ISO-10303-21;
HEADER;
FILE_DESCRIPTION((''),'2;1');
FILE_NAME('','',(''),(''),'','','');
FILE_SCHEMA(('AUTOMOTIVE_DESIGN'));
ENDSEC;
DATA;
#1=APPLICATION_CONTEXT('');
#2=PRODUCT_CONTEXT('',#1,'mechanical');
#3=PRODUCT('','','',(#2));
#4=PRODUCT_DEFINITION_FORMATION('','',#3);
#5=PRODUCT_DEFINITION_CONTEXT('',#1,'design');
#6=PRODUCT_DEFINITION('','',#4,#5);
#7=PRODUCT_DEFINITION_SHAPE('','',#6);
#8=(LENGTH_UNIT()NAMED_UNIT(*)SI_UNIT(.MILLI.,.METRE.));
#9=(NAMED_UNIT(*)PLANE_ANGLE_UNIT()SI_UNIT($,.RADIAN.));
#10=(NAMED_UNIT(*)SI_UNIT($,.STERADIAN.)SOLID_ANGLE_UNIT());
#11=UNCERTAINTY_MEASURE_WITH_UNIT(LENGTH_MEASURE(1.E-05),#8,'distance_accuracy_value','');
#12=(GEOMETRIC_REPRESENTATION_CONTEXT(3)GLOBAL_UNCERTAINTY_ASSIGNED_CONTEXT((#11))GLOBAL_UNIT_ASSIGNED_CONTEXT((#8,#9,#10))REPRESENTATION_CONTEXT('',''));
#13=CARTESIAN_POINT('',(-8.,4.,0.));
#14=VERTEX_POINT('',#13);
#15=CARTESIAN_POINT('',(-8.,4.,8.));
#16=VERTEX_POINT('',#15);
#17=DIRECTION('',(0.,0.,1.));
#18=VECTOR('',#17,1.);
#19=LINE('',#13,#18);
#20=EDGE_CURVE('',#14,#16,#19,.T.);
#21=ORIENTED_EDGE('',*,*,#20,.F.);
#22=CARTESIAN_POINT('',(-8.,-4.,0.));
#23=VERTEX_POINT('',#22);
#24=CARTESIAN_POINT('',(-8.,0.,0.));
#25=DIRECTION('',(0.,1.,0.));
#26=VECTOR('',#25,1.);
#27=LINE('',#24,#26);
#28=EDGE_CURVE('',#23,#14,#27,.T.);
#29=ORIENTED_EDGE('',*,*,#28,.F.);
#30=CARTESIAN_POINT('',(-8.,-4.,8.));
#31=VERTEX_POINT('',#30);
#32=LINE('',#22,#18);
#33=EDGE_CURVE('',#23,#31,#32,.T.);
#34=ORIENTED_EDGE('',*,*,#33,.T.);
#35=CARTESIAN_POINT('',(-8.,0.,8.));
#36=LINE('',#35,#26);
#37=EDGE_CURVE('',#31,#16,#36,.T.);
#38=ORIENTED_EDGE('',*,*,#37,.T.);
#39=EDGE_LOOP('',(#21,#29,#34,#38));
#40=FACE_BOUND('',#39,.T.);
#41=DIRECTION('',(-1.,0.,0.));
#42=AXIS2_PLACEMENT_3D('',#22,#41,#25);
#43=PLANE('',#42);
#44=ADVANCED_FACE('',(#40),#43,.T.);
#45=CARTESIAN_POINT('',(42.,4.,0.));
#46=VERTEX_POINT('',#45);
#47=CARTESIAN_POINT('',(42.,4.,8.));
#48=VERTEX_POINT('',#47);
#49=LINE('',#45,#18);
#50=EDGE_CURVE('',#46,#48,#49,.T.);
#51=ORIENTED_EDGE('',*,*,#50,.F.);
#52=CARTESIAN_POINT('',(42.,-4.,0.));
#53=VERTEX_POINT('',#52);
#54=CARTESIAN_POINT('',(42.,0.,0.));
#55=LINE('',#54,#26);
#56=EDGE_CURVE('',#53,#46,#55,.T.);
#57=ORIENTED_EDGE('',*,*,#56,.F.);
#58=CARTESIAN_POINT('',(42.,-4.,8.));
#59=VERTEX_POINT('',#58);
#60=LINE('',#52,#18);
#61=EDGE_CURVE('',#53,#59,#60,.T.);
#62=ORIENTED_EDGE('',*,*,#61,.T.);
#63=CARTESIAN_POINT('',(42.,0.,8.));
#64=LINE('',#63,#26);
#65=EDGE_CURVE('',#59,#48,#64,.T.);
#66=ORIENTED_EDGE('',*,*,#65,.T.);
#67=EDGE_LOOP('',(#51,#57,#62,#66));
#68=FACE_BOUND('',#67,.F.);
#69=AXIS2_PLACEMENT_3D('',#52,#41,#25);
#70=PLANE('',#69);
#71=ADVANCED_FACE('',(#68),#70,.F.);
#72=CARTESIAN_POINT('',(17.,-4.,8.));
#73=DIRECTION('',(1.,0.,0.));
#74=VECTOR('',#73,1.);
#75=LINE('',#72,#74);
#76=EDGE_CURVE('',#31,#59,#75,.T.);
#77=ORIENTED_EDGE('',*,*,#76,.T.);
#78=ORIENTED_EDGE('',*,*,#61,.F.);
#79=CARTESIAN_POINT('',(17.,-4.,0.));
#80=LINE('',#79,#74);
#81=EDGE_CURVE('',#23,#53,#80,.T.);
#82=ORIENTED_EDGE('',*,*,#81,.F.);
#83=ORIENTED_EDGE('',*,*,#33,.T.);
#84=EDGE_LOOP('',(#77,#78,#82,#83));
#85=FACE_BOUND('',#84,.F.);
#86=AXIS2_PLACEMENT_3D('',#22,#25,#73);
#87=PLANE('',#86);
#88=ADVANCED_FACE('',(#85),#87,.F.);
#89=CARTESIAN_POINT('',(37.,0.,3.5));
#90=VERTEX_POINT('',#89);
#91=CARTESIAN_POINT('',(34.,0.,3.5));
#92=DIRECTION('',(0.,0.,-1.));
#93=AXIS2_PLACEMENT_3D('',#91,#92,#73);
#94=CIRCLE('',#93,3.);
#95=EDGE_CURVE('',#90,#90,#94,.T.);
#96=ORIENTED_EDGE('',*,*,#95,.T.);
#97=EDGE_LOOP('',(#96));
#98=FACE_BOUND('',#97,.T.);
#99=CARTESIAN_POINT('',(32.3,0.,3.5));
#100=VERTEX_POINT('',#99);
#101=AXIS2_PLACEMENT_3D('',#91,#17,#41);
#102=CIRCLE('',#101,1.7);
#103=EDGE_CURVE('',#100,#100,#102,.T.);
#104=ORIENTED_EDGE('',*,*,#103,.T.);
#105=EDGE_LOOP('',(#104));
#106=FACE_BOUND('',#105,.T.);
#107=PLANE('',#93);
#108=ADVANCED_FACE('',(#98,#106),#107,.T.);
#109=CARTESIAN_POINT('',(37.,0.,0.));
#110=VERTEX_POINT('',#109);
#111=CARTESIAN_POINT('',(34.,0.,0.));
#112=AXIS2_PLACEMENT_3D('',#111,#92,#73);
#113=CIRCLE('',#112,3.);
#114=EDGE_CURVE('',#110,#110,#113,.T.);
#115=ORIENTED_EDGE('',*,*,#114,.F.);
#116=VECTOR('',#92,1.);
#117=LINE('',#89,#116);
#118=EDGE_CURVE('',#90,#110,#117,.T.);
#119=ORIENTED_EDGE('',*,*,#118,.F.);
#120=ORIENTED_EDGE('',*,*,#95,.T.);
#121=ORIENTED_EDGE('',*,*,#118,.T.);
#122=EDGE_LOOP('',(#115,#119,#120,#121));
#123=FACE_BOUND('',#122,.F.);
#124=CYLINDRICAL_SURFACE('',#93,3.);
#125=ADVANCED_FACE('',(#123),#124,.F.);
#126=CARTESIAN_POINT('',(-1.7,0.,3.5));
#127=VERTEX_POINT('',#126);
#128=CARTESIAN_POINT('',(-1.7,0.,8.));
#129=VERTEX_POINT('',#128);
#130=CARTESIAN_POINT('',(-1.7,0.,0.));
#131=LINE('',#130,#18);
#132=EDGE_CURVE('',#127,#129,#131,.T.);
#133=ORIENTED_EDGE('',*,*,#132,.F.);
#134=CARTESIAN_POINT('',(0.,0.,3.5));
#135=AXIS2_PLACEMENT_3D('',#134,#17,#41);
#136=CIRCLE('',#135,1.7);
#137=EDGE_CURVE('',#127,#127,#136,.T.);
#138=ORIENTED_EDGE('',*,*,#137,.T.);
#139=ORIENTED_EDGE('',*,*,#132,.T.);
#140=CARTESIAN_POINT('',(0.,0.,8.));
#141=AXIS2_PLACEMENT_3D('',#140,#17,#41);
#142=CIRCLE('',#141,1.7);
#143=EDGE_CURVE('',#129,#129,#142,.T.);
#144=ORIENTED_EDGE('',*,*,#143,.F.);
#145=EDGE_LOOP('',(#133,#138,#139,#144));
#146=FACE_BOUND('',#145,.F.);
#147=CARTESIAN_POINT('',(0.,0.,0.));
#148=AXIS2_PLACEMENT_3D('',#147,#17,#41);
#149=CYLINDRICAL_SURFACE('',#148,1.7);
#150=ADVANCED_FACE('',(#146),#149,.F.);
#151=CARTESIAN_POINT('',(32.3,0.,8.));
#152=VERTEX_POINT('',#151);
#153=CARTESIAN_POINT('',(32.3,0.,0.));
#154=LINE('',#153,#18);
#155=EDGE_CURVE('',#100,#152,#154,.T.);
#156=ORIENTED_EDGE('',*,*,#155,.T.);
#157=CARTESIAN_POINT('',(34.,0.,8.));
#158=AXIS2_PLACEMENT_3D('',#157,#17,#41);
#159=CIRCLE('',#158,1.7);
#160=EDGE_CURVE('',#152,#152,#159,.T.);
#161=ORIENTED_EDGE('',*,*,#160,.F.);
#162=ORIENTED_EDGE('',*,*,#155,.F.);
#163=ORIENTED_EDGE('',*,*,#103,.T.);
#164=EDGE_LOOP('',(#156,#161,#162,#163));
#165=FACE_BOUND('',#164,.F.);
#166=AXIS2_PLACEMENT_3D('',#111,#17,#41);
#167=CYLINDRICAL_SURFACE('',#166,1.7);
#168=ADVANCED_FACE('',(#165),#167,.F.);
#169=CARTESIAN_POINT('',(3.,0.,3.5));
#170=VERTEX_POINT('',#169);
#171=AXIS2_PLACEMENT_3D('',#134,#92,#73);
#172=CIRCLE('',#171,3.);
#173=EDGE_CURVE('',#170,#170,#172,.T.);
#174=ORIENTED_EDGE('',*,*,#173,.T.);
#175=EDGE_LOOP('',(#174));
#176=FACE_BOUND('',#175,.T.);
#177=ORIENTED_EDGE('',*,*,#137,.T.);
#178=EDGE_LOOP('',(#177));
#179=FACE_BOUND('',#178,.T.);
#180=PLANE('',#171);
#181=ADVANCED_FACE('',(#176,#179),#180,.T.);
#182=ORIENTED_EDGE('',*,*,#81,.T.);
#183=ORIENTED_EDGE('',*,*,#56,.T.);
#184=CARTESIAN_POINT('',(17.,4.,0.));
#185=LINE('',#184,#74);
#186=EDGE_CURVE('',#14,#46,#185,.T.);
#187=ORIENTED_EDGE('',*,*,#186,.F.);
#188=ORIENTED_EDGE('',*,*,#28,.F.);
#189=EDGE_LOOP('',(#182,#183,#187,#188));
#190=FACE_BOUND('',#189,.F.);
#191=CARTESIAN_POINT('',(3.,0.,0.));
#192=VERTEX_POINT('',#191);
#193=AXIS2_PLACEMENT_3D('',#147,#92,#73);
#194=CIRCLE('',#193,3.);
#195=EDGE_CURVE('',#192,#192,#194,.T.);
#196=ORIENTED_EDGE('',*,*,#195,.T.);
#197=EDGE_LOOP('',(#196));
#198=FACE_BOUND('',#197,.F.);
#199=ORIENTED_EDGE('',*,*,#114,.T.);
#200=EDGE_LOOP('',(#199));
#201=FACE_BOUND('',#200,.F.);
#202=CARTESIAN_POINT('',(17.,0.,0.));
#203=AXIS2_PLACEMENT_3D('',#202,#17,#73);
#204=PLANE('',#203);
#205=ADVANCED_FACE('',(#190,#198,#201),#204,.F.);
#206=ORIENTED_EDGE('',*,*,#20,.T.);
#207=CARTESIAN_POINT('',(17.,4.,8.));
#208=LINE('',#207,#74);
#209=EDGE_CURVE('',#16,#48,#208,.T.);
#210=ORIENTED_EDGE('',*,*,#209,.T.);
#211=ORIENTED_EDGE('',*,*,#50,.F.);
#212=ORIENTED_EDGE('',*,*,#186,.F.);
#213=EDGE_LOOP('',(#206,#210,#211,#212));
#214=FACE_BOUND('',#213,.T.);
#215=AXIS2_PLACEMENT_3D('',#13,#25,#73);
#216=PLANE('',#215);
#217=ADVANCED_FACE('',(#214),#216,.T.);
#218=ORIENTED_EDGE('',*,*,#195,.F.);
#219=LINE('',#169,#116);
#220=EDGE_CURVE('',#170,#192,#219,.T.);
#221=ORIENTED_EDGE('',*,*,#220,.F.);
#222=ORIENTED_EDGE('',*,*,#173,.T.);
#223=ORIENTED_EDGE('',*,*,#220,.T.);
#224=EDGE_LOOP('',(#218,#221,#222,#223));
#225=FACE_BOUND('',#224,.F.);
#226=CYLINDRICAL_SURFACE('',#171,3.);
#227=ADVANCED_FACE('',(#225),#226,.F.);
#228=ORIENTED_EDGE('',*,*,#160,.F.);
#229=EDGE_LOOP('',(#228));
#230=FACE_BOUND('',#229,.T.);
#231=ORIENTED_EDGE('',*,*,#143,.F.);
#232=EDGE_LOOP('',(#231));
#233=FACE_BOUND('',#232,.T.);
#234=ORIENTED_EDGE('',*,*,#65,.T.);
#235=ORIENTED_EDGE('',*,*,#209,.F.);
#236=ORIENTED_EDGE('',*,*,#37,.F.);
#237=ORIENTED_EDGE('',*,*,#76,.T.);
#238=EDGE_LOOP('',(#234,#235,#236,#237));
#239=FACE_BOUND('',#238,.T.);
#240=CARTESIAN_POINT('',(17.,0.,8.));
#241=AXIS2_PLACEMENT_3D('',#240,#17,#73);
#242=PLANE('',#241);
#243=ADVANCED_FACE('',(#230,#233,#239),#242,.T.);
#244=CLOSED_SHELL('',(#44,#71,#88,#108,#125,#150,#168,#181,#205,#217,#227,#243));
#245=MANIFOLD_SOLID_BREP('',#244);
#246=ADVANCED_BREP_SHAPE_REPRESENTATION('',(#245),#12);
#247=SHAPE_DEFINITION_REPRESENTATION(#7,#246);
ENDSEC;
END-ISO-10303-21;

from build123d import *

# Parameters (mm, degrees)
F0_W           = 50
F0_H           = 8
F1_DEPTH       = 8
F3_D           = 3.4
F3_CBORE_D     = 6
F3_CBORE_DEPTH = 3.5


with BuildPart() as f1:
    # F0 (on Top) → F1 (new body)
    with BuildSketch(Plane.XY):
        with Locations((17, 0)):
            Rectangle(F0_W, F0_H)
    extrude(amount=F1_DEPTH)

    # F3 (through all)
    with Locations(Plane(origin=(0, 0, 0), x_dir=(1, 0, 0), z_dir=(0, 0, -1))):
        with Locations((0, 0), (34, 0)):
            CounterBoreHole(F3_D / 2, F3_CBORE_D / 2, F3_CBORE_DEPTH)


solid = f1.part
